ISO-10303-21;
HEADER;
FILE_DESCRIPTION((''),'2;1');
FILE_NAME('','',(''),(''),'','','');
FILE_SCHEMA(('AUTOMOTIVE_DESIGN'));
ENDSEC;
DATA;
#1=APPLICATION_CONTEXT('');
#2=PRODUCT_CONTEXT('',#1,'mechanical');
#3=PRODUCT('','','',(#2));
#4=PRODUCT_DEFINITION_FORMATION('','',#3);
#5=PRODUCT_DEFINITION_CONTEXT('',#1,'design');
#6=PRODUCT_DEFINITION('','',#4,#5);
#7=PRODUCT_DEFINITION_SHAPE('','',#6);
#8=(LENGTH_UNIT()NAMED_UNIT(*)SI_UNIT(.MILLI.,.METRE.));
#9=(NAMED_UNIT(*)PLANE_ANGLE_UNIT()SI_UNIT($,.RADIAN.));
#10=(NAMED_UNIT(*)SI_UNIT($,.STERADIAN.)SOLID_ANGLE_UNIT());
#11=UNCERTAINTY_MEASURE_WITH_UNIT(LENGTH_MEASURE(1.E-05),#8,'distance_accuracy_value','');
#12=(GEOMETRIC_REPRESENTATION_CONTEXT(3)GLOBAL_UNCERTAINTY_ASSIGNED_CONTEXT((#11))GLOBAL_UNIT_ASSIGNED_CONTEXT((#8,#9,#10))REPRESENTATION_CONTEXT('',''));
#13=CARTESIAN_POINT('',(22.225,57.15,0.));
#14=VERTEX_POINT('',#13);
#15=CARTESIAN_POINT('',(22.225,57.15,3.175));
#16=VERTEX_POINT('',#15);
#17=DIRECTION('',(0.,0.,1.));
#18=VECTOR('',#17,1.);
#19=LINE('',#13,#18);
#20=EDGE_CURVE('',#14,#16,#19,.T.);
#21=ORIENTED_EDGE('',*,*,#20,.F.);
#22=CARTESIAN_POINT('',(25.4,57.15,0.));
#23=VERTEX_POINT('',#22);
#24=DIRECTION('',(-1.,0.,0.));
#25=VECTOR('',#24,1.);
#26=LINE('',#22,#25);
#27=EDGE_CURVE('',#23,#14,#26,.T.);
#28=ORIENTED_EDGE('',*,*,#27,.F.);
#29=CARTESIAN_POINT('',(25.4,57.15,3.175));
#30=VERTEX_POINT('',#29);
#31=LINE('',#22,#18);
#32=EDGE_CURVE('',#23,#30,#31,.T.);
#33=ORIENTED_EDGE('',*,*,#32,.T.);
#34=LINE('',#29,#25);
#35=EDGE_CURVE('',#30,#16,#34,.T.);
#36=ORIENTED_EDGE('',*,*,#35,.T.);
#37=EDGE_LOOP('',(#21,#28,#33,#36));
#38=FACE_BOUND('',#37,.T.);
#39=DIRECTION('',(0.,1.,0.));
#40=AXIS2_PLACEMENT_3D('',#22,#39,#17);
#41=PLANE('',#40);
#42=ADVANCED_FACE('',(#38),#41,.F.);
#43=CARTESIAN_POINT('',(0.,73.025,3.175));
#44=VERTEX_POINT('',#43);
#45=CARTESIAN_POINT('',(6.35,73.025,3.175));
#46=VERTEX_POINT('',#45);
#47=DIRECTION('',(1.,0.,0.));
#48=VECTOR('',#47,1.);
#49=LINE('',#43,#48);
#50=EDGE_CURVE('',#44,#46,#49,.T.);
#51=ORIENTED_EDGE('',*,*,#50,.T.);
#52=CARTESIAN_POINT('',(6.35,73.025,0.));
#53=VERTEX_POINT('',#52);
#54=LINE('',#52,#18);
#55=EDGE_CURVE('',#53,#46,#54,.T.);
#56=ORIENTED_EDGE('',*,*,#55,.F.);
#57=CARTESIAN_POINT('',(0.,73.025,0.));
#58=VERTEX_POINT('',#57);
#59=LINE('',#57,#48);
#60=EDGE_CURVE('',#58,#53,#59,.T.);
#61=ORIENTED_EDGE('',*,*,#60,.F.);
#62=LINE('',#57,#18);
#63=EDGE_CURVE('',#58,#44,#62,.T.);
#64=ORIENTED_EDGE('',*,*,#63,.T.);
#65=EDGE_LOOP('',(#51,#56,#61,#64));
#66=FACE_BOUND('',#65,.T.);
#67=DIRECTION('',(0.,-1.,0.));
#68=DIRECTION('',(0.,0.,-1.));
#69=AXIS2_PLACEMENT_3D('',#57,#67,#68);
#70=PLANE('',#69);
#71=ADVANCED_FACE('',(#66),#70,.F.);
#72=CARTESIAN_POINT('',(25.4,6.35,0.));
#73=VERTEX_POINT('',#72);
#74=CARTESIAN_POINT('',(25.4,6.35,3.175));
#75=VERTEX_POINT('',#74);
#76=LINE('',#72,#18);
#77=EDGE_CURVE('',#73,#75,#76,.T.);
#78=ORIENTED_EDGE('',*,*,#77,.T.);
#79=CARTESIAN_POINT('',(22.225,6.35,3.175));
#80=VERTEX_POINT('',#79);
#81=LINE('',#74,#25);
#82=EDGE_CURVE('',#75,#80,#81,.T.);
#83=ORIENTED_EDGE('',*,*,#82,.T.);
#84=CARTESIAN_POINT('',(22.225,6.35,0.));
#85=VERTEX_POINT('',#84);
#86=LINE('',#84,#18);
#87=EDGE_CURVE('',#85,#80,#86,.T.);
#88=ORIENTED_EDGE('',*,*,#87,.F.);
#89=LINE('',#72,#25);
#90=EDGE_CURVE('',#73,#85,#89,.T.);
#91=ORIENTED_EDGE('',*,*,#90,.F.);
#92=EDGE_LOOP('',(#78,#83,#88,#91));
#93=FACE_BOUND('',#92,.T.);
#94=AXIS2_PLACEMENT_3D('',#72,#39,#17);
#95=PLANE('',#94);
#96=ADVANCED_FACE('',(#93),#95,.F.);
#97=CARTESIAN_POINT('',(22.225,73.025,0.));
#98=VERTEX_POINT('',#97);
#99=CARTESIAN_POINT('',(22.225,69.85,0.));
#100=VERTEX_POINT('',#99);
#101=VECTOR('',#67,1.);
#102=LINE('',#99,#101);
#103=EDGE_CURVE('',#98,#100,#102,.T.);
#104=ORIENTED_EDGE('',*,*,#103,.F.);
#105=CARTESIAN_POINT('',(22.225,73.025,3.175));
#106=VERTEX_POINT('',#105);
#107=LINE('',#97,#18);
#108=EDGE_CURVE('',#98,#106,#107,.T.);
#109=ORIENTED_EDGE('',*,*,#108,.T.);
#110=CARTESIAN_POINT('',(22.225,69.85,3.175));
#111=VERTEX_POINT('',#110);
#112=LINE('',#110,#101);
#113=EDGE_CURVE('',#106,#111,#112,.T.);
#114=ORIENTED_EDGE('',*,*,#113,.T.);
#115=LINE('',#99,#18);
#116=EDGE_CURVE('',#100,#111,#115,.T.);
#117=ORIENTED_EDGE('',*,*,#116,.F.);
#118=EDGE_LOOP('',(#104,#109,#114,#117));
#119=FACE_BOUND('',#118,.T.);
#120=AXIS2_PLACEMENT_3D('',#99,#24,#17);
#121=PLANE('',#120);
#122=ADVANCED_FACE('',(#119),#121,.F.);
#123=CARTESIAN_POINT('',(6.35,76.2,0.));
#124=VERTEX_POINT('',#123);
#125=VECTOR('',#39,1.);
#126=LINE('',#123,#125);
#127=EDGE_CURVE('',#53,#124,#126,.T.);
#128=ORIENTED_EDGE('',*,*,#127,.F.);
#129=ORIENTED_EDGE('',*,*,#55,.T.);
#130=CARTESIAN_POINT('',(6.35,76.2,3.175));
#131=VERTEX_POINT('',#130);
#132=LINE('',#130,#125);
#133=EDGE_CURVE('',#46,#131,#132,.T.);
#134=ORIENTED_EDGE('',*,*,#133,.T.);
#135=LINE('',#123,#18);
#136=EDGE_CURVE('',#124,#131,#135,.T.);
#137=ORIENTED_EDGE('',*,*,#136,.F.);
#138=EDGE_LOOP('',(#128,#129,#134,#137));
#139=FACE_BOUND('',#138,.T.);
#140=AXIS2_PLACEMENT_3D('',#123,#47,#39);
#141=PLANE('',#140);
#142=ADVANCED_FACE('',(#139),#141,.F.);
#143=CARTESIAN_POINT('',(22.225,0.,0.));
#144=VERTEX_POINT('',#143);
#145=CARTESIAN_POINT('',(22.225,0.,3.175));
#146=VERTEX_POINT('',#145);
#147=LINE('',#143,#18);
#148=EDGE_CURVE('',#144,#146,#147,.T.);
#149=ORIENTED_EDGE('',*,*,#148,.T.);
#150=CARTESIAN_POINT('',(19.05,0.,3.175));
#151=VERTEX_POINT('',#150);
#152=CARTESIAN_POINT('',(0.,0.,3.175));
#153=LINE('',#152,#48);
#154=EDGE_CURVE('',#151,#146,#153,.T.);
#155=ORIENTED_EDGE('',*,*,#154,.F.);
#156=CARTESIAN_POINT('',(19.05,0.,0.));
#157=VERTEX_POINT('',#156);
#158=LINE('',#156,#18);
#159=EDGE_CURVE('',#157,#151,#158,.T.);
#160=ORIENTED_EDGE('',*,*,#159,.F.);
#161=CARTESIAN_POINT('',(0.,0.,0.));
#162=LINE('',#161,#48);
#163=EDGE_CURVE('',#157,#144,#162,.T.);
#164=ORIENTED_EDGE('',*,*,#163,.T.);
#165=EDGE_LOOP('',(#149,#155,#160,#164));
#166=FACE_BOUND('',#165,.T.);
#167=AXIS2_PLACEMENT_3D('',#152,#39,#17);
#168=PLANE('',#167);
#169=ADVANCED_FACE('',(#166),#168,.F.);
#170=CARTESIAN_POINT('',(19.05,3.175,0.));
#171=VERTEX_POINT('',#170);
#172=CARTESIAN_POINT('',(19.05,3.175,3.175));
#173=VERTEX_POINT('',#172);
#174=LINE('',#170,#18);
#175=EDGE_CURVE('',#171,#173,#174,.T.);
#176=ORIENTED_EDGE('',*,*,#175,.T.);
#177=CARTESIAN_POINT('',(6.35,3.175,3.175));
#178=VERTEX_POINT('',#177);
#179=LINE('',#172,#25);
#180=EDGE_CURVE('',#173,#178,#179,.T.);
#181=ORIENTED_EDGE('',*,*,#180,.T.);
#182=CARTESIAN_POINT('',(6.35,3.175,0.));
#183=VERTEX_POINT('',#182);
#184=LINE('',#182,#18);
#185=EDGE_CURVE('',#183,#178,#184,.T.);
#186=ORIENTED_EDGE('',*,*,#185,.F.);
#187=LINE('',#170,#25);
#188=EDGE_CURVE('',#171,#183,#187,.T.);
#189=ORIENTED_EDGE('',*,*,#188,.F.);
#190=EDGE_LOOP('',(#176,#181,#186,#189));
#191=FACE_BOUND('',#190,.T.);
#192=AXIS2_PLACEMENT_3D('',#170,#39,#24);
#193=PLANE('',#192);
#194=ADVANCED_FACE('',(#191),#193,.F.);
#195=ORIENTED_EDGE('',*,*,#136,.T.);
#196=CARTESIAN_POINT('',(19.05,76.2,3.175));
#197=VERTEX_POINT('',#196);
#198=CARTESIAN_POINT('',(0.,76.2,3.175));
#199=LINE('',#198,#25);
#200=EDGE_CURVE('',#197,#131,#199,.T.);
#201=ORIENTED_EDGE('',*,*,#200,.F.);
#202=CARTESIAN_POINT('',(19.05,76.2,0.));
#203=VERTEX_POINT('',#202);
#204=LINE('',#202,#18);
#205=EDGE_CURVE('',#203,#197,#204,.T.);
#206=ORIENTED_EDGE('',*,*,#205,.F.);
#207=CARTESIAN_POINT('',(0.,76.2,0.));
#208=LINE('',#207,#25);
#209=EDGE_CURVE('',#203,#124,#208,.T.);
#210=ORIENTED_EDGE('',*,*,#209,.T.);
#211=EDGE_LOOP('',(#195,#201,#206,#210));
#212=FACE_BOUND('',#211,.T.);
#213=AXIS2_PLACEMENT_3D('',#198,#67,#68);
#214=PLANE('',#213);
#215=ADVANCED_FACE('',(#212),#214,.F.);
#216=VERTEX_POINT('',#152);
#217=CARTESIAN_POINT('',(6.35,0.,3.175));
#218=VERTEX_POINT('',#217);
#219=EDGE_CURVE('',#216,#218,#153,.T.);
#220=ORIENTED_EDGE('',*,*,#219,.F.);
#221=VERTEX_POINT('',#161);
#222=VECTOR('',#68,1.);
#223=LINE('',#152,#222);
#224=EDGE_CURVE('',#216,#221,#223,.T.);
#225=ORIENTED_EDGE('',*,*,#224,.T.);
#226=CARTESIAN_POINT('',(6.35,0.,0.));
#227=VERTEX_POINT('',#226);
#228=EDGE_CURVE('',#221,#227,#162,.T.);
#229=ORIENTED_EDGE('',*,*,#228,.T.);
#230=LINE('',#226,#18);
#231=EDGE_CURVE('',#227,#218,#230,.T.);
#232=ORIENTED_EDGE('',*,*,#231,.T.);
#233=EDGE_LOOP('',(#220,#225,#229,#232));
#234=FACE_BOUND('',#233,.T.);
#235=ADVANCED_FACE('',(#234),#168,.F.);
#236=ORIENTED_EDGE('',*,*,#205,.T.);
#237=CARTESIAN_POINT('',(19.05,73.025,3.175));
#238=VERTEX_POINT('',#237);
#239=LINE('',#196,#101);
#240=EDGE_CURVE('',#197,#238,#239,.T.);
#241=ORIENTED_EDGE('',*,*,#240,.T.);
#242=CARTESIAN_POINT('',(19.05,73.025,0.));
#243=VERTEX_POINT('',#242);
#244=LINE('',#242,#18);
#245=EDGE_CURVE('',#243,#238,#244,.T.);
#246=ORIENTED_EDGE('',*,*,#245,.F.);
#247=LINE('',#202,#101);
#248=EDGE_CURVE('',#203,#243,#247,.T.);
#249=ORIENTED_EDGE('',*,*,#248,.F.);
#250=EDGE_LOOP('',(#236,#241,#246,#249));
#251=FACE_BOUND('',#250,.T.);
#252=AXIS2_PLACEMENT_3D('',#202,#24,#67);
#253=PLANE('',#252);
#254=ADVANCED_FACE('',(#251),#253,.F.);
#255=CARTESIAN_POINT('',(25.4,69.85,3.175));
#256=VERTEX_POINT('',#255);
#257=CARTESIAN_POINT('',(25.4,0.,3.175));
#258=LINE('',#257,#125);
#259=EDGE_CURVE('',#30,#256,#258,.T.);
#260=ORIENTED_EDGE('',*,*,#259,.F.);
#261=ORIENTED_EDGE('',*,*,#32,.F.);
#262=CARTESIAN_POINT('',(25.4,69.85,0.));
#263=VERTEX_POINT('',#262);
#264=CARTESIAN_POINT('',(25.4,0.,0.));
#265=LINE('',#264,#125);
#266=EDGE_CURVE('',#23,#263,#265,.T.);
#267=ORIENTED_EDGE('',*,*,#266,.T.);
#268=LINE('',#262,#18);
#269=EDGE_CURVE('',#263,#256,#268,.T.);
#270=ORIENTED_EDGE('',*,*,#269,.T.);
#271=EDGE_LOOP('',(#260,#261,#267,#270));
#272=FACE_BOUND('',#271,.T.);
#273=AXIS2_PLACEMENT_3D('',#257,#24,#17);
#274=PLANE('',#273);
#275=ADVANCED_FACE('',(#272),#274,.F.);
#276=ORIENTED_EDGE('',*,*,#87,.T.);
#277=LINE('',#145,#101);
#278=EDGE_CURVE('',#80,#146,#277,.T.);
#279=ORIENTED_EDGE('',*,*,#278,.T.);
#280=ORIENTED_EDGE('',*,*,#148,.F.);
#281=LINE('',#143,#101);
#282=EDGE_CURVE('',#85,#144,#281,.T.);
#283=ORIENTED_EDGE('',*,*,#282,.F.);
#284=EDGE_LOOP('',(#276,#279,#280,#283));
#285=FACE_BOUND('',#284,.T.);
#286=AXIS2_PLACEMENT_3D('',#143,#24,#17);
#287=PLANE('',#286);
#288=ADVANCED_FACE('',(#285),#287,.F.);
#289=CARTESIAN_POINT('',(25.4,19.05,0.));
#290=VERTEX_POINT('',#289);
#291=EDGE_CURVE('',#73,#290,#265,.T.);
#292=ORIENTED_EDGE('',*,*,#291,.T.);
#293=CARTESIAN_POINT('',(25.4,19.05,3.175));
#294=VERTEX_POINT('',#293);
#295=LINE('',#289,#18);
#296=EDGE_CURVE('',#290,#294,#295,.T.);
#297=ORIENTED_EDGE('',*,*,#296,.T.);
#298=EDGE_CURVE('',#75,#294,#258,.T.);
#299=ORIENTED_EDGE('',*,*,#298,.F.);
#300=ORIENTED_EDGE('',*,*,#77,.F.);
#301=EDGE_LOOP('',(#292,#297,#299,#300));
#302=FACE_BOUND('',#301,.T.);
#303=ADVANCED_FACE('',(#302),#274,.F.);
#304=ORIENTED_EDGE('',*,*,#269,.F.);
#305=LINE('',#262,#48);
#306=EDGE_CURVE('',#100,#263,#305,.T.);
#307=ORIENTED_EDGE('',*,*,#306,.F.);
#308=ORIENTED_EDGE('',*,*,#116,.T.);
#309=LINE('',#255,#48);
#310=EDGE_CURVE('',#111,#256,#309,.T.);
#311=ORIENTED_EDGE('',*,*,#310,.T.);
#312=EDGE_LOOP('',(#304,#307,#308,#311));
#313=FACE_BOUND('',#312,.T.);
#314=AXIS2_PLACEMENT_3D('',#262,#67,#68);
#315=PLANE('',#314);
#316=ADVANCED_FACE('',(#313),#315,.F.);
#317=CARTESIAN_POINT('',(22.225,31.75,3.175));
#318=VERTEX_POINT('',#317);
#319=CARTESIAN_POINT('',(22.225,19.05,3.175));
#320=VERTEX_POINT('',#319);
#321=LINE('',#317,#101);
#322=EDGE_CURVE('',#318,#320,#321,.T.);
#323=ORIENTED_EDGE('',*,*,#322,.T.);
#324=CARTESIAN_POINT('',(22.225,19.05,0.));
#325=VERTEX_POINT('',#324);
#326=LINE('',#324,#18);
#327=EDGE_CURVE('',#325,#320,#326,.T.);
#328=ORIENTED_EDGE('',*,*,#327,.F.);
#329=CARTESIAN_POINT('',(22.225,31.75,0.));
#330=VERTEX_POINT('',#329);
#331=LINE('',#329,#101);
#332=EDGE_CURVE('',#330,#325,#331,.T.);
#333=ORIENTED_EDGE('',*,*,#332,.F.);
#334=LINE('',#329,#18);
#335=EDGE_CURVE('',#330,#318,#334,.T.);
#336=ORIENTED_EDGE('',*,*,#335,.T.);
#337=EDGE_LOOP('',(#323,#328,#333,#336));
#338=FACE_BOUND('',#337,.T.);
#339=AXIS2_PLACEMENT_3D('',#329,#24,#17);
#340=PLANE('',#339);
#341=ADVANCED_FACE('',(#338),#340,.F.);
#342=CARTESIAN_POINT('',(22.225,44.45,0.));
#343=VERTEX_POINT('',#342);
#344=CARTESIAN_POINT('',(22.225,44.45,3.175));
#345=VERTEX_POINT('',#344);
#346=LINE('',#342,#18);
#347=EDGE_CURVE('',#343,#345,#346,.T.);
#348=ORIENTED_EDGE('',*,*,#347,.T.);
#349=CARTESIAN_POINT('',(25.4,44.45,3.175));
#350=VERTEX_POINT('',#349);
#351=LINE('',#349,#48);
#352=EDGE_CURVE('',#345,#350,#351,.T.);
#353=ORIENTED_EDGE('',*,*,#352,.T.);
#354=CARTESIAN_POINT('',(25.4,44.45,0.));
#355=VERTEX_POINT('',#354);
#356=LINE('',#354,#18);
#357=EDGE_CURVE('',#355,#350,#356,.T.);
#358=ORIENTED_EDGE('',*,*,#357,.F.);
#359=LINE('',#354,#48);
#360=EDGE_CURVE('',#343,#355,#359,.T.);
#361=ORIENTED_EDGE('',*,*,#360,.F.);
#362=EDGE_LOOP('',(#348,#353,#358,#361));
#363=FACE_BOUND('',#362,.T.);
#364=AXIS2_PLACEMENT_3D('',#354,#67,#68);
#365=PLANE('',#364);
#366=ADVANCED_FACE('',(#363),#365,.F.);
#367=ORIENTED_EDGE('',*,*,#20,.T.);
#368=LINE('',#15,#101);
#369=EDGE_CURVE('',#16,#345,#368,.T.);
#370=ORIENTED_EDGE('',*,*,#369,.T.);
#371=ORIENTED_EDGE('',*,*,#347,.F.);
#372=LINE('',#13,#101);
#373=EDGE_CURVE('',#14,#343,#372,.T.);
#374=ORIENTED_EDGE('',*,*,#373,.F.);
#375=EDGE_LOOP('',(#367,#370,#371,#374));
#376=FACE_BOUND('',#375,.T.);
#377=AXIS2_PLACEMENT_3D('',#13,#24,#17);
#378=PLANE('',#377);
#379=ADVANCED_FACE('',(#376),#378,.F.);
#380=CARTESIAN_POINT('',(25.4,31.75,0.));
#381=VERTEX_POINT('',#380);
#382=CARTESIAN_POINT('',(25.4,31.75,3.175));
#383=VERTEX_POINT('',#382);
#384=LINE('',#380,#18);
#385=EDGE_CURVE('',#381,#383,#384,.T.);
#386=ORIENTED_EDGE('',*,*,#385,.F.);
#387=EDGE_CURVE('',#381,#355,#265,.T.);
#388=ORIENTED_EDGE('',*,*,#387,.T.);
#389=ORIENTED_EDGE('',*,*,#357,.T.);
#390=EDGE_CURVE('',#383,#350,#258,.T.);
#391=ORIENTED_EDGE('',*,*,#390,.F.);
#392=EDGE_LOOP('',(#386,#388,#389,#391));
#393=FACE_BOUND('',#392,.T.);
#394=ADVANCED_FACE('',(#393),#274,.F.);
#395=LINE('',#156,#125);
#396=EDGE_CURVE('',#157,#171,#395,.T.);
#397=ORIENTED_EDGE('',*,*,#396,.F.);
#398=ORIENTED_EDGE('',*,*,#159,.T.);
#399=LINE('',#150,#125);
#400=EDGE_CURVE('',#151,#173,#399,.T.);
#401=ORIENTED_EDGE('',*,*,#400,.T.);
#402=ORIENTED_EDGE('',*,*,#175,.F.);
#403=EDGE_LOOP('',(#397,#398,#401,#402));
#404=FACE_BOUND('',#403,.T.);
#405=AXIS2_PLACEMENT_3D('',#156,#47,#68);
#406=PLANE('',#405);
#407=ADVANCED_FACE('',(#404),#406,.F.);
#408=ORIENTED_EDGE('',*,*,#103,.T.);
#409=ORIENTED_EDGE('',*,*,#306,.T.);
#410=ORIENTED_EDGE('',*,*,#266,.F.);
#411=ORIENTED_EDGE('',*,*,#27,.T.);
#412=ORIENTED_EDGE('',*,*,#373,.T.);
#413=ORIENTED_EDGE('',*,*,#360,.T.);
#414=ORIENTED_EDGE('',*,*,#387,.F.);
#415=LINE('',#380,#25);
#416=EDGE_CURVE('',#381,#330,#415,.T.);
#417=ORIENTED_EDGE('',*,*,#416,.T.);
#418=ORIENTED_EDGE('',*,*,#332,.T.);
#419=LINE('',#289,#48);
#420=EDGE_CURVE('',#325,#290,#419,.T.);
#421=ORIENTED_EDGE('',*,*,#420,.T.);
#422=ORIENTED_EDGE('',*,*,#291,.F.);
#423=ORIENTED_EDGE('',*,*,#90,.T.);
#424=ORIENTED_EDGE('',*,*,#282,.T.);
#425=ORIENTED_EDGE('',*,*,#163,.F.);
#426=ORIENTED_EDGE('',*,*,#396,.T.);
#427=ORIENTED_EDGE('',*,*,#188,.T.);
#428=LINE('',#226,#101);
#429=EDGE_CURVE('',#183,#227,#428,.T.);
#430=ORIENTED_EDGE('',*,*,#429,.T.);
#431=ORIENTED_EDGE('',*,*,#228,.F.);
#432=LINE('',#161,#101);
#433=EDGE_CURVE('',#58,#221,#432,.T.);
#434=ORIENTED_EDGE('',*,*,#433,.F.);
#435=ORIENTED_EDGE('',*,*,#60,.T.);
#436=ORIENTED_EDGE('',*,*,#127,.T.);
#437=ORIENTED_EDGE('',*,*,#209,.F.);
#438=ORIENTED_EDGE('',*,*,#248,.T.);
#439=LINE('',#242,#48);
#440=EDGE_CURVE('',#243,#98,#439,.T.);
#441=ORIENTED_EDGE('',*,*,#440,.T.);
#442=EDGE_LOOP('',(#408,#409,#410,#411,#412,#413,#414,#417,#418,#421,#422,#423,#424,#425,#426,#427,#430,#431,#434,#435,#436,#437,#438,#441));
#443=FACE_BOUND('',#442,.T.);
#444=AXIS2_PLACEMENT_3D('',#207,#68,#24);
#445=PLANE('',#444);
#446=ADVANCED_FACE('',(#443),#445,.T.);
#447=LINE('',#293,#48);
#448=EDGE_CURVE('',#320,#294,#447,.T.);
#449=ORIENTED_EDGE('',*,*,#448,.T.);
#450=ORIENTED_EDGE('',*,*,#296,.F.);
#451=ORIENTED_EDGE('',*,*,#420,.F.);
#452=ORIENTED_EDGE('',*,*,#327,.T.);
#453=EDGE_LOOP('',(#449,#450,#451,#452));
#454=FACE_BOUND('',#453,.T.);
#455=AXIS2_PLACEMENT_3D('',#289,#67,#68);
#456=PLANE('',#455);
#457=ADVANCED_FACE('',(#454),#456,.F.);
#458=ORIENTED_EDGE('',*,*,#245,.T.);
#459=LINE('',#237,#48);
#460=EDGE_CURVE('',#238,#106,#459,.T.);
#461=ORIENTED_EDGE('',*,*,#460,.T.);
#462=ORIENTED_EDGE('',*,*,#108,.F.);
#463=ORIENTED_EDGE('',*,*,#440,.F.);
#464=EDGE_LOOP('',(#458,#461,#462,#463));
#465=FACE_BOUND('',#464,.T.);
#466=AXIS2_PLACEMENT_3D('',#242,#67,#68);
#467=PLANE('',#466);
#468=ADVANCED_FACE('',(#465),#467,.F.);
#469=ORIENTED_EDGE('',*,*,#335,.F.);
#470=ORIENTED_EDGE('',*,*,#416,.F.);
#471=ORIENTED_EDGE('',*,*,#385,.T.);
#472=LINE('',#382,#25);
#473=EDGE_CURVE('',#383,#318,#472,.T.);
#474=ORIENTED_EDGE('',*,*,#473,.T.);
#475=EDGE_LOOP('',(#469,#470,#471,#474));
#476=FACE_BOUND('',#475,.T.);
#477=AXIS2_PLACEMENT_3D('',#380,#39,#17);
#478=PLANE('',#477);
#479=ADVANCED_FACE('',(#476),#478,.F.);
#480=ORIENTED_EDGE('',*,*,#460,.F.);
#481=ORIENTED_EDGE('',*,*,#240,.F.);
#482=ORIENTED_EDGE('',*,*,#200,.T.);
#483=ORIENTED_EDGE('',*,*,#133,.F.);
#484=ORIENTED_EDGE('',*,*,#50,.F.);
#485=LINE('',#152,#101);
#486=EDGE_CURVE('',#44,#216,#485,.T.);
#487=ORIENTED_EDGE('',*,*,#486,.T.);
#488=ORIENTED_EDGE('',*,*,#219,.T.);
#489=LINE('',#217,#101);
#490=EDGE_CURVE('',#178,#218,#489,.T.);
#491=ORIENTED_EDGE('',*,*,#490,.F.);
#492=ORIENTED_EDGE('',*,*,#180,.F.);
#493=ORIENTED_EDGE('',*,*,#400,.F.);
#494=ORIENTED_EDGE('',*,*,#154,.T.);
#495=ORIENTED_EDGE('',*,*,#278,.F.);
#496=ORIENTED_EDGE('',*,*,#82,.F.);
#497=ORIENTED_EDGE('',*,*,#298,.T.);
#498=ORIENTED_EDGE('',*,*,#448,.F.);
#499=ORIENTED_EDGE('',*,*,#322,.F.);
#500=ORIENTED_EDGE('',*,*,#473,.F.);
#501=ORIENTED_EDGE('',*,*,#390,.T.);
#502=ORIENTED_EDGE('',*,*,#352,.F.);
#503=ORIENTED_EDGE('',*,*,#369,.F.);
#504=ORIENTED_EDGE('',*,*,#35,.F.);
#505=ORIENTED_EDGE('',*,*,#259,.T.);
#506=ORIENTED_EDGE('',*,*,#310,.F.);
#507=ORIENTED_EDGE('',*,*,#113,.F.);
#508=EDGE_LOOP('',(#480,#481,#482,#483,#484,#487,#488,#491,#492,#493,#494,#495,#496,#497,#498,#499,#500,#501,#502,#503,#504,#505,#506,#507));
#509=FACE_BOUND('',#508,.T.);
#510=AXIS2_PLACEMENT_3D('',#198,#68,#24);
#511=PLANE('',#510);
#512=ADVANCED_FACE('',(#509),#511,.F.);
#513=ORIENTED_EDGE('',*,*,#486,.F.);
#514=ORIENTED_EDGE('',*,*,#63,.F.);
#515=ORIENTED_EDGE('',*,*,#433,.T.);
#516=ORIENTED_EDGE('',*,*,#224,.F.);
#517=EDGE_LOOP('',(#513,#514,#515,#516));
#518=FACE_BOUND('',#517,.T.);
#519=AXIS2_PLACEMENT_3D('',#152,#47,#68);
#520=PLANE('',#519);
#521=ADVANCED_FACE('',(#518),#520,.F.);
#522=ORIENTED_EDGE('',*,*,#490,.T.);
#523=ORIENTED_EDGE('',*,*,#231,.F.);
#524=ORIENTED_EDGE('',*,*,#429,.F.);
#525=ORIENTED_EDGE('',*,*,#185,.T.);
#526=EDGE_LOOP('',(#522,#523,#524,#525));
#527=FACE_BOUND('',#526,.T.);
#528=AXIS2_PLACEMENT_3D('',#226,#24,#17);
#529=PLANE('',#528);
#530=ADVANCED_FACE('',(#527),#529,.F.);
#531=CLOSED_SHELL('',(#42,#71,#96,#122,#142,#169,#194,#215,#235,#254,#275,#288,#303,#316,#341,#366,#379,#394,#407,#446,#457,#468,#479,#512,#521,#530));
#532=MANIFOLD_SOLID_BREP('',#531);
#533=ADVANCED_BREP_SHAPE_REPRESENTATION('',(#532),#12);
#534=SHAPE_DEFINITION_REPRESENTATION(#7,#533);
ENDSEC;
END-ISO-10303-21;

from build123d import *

# Parameters (mm, degrees)
SKETCH1_W          = 25.4
SKETCH1_H          = 76.2
EXTRUDE1_DEPTH     = 3.175
SKETCH3_W          = 3.175
SKETCH3_H          = 6.35
CUT_EXTRUDE1_DEPTH = 3.175
LPATTERN1_COUNT    = 3
LPATTERN1_PITCH    = 69.85
SKETCH4_W          = 3.175
SKETCH4_H          = 12.7
CUT_EXTRUDE2_DEPTH = 3.175
LPATTERN2_COUNT    = 2
LPATTERN2_PITCH    = 25.4
SKETCH5_W          = 12.7
SKETCH5_H          = 3.175
CUT_EXTRUDE3_DEPTH = 3.175
SKETCH6_W          = 6.35
SKETCH6_H          = 3.175
CUT_EXTRUDE4_DEPTH = 3.175
LPATTERN3_COUNT    = 2
LPATTERN3_PITCH    = 19.05


with BuildPart() as part:
    # Sketch1 → Extrude1 (new body)
    with BuildSketch(Plane.XY):
        with Locations((12.7, 38.1)):
            Rectangle(SKETCH1_W, SKETCH1_H)
    extrude(amount=EXTRUDE1_DEPTH)

    # Sketch3 → Cut-Extrude1 (cut)
    with BuildSketch(Plane.XY.offset(3.175)):
        with Locations((23.8125, 73.025)):
            Rectangle(SKETCH3_W, SKETCH3_H)
    cut_extrude1 = extrude(amount=-CUT_EXTRUDE1_DEPTH, mode=Mode.SUBTRACT)

    # LPattern1: Cut-Extrude1 ×3
    with Locations(*[(0, -i * LPATTERN1_PITCH, 0) for i in range(1, LPATTERN1_COUNT)]):
        add(cut_extrude1, mode=Mode.SUBTRACT)

    # Sketch4 → Cut-Extrude2 (cut)
    with BuildSketch(Plane.XY.offset(3.175)):
        with Locations((23.8125, 50.8)):
            Rectangle(SKETCH4_W, SKETCH4_H)
    cut_extrude2 = extrude(amount=-CUT_EXTRUDE2_DEPTH, mode=Mode.SUBTRACT)

    # LPattern2: Cut-Extrude2 ×2
    with Locations(*[(0, -i * LPATTERN2_PITCH, 0) for i in range(1, LPATTERN2_COUNT)]):
        add(cut_extrude2, mode=Mode.SUBTRACT)

    # Sketch5 → Cut-Extrude3 (cut)
    with BuildSketch(Plane.XY.offset(3.175)):
        with Locations((12.7, 1.5875)):
            Rectangle(SKETCH5_W, SKETCH5_H)
    extrude(amount=-CUT_EXTRUDE3_DEPTH, mode=Mode.SUBTRACT)

    # Sketch6 → Cut-Extrude4 (cut)
    with BuildSketch(Plane.XY.offset(3.175)):
        with Locations((3.175, 74.6125)):
            Rectangle(SKETCH6_W, SKETCH6_H)
    cut_extrude4 = extrude(amount=-CUT_EXTRUDE4_DEPTH, mode=Mode.SUBTRACT)

    # LPattern3: Cut-Extrude4 ×2
    with Locations(*[(i * LPATTERN3_PITCH, 0, 0) for i in range(1, LPATTERN3_COUNT)]):
        add(cut_extrude4, mode=Mode.SUBTRACT)


solid = part.part
